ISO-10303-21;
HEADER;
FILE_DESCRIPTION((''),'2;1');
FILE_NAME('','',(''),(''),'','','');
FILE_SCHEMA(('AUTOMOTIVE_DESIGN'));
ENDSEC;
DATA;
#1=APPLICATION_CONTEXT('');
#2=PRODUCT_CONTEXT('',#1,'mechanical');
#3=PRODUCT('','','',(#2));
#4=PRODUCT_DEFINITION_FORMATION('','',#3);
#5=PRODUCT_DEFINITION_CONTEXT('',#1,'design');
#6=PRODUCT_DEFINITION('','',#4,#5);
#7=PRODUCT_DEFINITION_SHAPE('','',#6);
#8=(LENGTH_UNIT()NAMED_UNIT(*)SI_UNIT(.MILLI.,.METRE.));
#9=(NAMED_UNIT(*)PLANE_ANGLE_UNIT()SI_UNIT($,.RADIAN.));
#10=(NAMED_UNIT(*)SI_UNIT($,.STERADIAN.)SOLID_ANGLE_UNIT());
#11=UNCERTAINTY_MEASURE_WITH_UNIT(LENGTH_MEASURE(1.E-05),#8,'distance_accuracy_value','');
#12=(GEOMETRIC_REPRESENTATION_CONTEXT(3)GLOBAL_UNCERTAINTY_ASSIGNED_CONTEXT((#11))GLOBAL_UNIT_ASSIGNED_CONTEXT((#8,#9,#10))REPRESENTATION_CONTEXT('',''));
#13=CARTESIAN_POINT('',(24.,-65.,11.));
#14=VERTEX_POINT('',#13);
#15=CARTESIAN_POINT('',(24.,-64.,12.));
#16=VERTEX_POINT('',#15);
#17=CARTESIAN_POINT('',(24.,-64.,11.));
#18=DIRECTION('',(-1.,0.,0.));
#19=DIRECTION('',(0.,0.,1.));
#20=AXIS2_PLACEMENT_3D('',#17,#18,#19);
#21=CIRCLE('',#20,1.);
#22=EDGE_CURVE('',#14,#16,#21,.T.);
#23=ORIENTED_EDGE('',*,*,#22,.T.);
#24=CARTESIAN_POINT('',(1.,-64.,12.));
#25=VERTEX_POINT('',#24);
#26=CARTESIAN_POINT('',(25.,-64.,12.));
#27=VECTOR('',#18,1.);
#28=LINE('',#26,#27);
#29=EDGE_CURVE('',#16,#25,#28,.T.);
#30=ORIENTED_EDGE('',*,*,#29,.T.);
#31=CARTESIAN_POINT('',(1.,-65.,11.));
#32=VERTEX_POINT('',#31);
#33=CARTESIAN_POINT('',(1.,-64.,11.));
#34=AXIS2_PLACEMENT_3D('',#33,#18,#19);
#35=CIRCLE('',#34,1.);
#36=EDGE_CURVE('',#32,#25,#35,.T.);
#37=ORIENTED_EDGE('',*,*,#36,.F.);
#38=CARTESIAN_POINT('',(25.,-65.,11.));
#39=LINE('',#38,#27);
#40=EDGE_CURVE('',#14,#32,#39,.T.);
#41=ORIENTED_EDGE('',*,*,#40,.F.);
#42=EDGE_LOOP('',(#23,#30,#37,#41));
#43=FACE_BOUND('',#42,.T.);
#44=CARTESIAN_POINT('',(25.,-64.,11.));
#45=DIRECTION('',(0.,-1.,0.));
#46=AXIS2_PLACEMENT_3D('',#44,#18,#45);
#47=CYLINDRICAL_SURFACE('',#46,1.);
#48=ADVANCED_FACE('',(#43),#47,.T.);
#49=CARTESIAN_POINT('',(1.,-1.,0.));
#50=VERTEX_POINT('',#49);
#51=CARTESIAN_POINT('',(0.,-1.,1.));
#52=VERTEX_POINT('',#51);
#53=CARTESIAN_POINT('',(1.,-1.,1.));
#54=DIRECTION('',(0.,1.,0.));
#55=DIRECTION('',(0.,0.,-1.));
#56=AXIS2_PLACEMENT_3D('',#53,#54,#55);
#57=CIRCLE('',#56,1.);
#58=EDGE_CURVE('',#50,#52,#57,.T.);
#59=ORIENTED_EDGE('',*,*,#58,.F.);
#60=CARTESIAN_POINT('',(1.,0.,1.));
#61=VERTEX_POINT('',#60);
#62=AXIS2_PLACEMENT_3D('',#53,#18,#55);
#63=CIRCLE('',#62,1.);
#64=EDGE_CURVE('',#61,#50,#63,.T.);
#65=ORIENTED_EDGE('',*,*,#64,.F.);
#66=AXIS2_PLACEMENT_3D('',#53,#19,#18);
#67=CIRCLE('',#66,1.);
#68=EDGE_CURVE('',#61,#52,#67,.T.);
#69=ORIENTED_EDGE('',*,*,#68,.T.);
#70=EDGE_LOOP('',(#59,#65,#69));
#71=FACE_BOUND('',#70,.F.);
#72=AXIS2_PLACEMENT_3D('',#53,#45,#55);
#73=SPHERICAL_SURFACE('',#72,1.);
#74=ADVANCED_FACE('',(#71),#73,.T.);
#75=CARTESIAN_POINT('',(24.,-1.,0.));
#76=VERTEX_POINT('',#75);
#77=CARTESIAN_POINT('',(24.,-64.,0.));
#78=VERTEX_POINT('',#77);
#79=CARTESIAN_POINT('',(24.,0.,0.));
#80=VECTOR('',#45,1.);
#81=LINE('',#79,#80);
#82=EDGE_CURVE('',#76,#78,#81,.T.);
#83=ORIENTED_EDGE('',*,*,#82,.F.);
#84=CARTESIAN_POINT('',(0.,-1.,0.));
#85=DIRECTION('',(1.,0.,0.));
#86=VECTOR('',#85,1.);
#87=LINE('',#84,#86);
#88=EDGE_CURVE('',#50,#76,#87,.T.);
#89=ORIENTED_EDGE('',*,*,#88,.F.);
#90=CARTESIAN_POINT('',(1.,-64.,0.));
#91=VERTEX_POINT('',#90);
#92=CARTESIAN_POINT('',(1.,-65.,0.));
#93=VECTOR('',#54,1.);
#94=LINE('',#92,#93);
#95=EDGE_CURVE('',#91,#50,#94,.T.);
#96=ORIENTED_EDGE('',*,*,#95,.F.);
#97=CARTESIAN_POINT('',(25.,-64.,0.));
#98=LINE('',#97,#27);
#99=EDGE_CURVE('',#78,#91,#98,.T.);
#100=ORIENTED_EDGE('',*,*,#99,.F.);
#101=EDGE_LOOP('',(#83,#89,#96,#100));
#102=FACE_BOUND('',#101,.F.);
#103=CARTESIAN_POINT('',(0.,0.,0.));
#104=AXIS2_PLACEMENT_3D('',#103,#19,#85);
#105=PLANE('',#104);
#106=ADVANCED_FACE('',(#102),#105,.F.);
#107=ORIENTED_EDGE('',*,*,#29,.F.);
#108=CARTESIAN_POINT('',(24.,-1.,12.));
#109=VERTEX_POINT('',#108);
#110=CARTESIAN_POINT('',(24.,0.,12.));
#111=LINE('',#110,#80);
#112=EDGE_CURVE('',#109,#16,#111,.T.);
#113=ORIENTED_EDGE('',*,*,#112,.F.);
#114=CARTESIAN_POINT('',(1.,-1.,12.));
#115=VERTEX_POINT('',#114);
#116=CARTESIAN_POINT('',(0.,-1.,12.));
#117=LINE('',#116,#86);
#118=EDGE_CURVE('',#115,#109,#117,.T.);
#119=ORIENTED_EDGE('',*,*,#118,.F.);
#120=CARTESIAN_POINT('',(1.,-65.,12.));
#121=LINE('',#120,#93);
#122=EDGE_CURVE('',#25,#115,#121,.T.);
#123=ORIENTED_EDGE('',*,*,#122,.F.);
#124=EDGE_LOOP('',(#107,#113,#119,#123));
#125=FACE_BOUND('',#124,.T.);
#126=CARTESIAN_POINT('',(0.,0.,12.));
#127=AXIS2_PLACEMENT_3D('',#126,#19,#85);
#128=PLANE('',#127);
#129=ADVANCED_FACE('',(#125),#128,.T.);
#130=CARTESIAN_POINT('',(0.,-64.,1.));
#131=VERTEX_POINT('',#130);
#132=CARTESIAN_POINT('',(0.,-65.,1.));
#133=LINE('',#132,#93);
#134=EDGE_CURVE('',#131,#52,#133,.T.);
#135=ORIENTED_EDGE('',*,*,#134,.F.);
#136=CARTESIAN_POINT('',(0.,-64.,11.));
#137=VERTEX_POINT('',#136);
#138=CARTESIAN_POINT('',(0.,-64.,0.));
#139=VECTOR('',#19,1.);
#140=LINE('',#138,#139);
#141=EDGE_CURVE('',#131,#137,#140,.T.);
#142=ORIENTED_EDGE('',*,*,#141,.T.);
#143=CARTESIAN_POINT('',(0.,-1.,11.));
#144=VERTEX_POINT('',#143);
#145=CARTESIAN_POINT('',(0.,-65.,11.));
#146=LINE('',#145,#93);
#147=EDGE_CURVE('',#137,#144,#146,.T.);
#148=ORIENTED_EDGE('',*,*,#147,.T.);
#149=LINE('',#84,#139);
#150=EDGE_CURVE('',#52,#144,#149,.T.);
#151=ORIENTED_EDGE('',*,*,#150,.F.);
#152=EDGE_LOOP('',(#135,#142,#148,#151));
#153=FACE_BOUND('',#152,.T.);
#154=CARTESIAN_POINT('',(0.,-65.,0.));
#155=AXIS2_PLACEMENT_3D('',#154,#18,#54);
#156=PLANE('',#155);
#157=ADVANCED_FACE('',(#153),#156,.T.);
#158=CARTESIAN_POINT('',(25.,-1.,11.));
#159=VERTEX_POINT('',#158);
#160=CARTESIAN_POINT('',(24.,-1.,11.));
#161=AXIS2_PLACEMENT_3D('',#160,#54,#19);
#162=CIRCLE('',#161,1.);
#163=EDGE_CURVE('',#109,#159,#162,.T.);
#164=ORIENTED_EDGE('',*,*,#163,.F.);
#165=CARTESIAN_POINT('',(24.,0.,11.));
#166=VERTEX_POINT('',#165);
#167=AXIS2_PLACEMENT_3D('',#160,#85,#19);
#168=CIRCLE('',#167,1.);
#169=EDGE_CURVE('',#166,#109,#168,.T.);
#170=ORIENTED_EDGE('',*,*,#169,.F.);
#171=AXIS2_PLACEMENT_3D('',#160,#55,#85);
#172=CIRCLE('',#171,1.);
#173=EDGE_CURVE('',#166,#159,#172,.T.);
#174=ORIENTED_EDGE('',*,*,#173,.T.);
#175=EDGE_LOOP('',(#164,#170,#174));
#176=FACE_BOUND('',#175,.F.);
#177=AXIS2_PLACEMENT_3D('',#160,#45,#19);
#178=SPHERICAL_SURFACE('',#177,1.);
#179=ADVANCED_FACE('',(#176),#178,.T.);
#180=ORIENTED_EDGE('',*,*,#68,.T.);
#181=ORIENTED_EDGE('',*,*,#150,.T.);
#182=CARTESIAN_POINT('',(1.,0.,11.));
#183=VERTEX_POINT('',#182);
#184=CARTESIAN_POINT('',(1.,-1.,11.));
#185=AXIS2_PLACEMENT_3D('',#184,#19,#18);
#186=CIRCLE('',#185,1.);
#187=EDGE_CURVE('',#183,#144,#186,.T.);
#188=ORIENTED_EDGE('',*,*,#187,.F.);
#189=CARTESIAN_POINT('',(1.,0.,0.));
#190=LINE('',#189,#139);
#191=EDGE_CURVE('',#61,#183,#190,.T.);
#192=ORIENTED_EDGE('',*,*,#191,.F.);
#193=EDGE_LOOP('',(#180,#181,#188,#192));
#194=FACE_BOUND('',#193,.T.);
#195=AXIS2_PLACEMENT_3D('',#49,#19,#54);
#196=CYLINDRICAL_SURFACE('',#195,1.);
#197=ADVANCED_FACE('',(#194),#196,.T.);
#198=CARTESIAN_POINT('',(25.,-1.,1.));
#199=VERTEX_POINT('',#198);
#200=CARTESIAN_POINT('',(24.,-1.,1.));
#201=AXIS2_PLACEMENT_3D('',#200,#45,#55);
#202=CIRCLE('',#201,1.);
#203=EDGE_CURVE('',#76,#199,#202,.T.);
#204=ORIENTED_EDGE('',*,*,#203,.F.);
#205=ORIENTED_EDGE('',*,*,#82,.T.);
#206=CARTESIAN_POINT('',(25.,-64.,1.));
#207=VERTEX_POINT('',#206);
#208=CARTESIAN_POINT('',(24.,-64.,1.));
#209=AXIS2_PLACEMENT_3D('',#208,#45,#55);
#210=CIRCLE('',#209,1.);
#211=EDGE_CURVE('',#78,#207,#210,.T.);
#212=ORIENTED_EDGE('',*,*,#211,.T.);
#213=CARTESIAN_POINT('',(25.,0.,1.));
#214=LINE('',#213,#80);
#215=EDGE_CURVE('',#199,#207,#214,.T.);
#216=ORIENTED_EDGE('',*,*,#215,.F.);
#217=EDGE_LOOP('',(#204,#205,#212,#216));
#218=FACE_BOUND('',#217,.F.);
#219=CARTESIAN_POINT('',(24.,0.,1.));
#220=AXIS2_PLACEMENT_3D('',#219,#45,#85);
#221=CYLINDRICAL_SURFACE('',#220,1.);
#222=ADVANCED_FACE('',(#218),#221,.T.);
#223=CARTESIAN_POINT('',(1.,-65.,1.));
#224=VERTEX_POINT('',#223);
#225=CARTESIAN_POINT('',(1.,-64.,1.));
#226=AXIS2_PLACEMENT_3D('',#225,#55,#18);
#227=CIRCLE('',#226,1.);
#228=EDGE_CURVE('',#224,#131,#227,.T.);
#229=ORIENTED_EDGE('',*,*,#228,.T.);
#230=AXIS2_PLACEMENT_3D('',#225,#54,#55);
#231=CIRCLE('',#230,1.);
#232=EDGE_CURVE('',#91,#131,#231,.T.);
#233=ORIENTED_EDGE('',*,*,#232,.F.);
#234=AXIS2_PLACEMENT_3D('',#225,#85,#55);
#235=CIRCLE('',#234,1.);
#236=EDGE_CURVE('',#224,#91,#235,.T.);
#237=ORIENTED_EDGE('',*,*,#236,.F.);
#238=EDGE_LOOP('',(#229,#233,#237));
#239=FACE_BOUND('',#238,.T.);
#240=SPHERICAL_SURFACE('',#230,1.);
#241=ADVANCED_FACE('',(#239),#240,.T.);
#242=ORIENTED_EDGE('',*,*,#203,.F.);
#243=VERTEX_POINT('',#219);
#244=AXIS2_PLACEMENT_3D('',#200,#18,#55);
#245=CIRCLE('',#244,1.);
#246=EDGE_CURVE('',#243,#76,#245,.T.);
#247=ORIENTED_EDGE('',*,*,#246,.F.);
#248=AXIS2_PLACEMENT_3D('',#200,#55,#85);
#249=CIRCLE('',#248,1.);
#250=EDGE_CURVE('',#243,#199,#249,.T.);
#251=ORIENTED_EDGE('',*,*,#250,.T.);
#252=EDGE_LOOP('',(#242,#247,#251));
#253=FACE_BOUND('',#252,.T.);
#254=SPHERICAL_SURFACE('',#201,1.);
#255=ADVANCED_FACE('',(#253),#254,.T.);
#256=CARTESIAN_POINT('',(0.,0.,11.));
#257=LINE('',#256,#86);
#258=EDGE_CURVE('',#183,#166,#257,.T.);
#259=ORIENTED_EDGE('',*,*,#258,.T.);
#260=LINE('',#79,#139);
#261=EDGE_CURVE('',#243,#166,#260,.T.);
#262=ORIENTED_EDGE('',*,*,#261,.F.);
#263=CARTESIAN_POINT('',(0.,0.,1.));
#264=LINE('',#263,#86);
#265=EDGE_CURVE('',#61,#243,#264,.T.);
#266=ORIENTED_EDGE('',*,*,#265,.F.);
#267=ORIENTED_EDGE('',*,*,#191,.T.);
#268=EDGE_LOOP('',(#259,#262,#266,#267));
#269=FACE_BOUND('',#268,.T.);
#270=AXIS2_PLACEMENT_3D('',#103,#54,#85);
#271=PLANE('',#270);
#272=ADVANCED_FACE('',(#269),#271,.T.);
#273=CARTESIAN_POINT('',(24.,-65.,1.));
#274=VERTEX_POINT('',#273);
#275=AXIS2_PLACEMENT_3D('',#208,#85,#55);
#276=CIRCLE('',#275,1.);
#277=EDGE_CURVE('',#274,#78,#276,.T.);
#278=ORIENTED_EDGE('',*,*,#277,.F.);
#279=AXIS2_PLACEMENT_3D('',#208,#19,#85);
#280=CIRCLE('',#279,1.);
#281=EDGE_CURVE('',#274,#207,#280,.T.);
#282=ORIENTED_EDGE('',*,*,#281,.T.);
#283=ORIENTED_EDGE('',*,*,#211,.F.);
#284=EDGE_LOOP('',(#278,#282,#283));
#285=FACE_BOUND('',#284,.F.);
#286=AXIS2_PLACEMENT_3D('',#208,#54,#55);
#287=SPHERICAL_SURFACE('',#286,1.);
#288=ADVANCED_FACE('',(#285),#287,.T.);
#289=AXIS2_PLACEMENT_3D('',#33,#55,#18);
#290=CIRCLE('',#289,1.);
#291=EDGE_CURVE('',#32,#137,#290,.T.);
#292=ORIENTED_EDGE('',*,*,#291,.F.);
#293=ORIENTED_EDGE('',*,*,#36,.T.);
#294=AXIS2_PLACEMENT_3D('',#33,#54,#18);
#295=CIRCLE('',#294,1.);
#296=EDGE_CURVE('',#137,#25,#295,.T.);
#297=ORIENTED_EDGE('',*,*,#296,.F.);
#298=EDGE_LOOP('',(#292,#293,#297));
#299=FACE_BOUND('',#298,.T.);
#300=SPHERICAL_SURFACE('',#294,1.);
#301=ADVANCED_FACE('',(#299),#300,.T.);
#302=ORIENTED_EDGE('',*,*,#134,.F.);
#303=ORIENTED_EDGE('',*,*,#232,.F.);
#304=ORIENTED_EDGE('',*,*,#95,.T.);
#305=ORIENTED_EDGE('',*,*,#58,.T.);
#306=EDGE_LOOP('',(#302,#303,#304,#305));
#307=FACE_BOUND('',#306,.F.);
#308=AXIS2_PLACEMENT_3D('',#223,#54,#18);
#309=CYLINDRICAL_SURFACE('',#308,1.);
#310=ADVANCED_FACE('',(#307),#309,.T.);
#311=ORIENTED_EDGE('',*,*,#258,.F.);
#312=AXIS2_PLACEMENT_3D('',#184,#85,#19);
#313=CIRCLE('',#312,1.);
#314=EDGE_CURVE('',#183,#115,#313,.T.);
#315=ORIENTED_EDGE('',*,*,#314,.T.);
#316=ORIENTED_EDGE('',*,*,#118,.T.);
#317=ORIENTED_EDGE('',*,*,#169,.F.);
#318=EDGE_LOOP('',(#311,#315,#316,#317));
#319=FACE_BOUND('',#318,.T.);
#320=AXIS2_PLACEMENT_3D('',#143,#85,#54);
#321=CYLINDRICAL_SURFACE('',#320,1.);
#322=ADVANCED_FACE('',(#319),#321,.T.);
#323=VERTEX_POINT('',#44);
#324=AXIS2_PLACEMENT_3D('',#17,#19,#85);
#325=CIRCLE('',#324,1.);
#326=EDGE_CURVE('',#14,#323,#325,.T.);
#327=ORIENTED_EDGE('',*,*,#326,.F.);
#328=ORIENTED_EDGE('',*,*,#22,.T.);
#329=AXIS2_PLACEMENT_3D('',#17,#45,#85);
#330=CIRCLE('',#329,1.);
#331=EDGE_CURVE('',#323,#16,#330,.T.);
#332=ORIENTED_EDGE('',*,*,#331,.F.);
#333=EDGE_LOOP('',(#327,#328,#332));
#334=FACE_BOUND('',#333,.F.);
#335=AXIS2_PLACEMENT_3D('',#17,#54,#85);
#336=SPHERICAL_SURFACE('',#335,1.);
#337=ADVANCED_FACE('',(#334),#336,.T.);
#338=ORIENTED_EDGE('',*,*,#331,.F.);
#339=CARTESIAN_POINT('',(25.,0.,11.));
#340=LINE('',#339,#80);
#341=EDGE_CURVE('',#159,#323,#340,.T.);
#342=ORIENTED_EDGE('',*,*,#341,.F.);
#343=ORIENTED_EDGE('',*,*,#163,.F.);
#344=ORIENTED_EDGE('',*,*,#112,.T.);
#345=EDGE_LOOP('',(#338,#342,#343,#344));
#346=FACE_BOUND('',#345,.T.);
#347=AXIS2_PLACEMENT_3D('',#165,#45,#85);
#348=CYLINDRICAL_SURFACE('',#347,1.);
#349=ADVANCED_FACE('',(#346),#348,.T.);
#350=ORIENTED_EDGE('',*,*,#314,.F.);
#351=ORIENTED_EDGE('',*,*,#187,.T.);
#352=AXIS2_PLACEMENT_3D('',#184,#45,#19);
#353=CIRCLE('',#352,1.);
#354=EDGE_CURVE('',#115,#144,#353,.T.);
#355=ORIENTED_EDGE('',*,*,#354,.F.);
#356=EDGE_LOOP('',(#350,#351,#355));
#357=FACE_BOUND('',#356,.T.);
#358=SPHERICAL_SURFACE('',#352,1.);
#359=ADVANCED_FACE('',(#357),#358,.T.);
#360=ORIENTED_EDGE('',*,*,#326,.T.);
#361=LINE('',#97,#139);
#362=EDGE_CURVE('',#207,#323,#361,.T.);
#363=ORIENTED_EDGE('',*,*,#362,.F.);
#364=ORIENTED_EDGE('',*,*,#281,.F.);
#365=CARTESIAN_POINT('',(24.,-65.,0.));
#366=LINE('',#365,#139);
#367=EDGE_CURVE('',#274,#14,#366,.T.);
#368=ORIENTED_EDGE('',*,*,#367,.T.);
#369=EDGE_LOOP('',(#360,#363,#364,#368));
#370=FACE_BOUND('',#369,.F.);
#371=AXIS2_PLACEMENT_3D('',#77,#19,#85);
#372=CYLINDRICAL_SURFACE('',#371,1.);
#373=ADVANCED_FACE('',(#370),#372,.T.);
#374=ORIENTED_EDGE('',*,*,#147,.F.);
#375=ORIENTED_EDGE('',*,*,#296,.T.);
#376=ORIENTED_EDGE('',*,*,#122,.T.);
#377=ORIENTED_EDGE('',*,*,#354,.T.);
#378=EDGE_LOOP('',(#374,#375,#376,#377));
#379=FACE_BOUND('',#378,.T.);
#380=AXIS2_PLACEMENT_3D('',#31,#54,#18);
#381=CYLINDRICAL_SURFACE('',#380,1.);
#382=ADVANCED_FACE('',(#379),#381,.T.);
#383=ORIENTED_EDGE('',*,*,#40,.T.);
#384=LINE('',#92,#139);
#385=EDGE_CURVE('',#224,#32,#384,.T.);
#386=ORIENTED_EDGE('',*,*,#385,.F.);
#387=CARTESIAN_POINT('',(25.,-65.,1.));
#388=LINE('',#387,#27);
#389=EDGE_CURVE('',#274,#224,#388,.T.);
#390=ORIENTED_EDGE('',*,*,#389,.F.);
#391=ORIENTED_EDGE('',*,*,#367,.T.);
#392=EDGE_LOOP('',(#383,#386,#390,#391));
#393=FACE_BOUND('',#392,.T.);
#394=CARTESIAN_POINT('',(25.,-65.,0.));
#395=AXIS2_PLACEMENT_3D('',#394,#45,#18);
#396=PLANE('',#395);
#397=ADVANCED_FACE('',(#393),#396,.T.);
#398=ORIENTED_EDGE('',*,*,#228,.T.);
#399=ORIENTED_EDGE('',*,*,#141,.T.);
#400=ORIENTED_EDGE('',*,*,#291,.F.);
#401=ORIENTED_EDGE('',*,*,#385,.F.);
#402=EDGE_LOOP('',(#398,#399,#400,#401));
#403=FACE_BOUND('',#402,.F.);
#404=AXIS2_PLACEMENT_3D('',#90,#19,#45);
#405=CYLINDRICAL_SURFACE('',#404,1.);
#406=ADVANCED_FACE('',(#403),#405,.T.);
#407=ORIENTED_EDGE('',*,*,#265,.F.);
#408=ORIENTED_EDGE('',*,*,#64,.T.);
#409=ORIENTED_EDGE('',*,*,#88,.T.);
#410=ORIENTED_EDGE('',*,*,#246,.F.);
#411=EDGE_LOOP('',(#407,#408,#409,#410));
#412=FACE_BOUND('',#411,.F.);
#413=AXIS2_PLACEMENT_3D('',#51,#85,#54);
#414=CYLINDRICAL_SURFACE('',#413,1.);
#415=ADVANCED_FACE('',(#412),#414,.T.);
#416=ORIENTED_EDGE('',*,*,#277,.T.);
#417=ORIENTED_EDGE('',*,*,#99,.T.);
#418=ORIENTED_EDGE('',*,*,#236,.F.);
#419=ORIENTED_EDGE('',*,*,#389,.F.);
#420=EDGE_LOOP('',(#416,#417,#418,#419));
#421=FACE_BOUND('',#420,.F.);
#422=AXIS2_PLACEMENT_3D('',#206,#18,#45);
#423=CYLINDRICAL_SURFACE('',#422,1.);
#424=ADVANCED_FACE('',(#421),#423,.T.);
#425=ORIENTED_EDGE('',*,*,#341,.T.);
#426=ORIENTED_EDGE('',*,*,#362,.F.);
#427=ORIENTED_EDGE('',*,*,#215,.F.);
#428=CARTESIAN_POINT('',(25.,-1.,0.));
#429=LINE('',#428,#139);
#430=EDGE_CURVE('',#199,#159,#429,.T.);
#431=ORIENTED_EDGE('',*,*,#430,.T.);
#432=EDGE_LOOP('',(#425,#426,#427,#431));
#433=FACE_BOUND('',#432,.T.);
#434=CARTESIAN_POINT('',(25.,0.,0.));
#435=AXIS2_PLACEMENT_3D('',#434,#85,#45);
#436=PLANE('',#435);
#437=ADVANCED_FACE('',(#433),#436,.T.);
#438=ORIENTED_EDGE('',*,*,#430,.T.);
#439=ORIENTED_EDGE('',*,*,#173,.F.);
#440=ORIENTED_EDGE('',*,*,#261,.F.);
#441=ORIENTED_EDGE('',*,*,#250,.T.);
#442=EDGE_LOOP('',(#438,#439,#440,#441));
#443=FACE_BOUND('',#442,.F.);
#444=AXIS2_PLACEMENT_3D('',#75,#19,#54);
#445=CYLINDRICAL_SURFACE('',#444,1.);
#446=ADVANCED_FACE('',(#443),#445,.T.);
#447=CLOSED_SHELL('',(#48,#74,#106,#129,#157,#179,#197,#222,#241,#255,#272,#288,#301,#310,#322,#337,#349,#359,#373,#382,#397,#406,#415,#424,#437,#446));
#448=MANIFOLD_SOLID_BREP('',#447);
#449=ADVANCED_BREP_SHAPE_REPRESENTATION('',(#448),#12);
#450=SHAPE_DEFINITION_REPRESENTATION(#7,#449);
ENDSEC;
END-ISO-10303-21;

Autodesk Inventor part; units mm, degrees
ref_plane "YZ Plane" through (0, 0, 0) normal (1, 0, 0) x (0, 1, 0)
ref_plane "XZ Plane" through (0, 0, 0) normal (0, 1, 0) x (-1, 0, 0)
ref_plane "XY Plane" through (0, 0, 0) normal (0, 0, 1) x (1, 0, 0)
sketch "Sketch1" plane through (0, 0, 0) normal (0, 0, 1) x (1, 0, 0)
  line L0 (0, 0) -> (25, 0)
  line L1 (25, 0) -> (25, -65)
  line L2 (25, -65) -> (0, -65)
  line L3 (0, -65) -> (0, 0)
  dimension "d0" = 25
  dimension "d1" = 65
extrude "Extrusion1" add sketch "Sketch1" along normal blind 12
fillet "Fillet3" radius 1 12 edges at (25, -32.5, 0) (0, -32.5, 0) (0, -32.5, 12) (25, -32.5, 12) (12.5, 0, 0) (12.5, 0, 12) (0, 0, 6) (25, 0, 6) (12.5, -65, 0) (25, -65, 6) (0, -65, 6) (12.5, -65, 12)
properties part number "LiPo_800mAh" material "Acetal Resin, Black"
